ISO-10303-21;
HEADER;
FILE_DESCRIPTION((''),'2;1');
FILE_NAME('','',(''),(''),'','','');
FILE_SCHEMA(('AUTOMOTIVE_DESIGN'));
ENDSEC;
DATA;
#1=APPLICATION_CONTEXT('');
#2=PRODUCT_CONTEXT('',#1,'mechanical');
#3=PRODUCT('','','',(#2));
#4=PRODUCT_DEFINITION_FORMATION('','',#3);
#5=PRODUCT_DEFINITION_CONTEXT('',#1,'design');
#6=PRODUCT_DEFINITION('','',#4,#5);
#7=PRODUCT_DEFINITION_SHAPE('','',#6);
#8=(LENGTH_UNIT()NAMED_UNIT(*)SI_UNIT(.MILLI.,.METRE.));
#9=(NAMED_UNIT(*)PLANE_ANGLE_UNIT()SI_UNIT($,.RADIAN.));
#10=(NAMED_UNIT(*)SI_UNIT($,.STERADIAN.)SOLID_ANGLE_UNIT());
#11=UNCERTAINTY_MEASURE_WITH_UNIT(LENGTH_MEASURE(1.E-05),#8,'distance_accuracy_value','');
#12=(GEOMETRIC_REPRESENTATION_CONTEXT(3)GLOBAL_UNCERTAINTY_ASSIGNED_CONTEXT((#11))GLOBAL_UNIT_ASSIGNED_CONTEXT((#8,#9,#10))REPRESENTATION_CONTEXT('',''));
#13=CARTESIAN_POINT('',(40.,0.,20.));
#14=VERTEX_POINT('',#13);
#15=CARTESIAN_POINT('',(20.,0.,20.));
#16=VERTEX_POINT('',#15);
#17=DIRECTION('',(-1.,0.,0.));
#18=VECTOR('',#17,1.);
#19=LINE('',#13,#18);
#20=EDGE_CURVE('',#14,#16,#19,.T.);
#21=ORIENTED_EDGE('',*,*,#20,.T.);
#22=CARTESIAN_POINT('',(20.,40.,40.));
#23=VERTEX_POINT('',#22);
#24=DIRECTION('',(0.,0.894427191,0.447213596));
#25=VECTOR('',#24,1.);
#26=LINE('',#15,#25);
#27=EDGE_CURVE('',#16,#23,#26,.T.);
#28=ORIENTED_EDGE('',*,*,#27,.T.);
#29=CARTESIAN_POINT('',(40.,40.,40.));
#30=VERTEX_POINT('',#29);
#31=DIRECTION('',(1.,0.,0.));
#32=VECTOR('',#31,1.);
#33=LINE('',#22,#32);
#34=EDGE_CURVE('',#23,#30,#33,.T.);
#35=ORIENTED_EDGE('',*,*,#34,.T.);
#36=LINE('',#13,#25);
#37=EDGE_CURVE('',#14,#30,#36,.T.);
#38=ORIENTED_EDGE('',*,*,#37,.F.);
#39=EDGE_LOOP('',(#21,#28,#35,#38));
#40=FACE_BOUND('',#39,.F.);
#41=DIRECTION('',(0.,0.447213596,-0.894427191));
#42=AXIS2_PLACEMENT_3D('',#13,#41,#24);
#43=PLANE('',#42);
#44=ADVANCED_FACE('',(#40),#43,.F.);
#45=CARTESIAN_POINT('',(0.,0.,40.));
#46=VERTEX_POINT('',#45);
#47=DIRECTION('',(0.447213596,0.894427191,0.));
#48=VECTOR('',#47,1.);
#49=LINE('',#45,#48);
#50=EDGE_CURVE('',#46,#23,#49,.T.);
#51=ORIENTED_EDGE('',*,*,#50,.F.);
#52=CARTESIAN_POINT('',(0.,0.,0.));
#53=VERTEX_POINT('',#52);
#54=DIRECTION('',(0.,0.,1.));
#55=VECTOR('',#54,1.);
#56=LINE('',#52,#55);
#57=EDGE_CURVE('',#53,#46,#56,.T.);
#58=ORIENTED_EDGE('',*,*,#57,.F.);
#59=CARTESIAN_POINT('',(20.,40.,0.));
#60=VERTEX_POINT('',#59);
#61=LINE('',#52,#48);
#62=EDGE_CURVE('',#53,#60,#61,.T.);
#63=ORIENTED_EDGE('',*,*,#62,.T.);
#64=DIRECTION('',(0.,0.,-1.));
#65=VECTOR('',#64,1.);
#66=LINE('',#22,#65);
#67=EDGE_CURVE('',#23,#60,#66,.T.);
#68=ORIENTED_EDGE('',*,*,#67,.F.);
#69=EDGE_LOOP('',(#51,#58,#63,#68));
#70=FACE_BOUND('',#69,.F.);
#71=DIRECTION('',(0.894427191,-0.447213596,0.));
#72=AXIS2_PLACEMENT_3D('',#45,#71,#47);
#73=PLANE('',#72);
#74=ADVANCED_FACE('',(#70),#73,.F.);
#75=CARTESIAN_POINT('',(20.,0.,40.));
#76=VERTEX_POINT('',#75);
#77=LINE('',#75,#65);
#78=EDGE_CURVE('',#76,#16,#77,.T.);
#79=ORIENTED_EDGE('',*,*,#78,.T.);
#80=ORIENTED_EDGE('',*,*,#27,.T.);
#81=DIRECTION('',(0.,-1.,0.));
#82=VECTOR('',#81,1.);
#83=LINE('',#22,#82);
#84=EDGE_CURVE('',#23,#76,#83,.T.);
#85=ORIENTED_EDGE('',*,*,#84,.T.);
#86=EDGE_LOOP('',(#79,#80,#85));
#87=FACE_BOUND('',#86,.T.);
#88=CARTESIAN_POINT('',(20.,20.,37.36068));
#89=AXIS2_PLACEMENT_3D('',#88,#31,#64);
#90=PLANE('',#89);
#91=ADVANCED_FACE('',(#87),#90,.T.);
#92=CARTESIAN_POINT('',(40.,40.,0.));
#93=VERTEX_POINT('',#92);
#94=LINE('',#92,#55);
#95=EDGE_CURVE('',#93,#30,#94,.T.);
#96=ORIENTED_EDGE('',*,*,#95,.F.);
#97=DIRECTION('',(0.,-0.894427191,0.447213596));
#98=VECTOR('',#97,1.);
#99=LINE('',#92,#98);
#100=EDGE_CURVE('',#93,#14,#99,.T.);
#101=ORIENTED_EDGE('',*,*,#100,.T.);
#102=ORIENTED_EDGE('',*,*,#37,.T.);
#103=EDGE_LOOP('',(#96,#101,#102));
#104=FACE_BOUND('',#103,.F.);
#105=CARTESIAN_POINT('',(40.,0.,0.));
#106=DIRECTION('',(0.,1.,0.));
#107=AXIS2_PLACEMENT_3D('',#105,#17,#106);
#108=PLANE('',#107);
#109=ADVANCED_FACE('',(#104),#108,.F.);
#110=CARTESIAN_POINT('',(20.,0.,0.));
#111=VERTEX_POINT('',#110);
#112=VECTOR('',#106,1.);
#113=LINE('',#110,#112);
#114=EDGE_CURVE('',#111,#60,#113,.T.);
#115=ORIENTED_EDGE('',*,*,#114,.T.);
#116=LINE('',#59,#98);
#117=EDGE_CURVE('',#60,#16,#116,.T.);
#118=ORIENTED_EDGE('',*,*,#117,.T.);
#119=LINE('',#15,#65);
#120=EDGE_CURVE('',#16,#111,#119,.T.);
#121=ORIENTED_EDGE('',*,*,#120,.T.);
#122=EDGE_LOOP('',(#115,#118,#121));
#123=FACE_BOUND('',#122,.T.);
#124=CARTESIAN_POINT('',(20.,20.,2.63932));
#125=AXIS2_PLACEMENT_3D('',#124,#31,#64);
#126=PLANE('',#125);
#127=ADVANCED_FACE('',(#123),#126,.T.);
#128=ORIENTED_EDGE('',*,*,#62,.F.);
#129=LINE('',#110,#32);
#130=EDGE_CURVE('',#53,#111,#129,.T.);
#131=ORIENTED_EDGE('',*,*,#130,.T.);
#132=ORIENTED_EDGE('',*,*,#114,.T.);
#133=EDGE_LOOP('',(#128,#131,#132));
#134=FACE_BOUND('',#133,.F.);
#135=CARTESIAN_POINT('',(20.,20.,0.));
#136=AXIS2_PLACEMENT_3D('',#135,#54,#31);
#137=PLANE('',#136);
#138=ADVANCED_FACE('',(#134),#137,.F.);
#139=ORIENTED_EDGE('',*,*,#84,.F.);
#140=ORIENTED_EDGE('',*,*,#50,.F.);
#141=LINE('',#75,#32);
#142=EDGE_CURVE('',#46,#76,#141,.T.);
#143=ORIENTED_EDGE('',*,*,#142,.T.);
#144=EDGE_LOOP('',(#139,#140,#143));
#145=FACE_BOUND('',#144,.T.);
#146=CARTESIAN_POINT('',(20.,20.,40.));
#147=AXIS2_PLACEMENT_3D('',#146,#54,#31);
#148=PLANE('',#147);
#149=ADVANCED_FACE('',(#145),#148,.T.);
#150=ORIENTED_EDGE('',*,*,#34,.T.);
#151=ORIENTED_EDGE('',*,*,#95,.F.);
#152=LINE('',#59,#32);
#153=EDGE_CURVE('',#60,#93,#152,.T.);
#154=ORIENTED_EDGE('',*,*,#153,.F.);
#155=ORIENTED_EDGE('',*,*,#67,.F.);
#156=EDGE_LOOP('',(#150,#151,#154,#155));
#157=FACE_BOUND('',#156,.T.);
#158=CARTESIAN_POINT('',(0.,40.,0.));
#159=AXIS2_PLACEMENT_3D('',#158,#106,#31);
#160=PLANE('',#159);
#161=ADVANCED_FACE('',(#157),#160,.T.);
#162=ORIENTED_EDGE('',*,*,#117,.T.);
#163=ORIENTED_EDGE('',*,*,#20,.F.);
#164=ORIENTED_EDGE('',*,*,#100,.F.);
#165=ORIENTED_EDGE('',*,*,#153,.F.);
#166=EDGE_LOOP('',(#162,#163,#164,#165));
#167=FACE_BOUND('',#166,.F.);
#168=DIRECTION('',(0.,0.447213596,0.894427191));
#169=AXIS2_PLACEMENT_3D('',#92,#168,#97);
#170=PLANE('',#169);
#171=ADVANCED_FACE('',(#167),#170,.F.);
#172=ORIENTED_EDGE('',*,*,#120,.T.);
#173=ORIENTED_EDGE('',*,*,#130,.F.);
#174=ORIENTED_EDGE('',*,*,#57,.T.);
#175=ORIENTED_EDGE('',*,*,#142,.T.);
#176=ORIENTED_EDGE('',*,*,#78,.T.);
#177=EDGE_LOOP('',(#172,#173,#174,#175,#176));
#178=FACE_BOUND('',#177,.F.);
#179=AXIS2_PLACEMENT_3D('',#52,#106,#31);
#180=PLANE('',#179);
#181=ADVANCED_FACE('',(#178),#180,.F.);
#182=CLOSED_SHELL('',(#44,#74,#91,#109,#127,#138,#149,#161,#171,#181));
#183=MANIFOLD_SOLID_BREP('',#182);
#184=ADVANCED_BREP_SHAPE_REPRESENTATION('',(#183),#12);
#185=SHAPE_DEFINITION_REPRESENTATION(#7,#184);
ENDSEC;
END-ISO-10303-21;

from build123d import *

# Parameters (mm, degrees)
SKETCH1_W           = 40
SKETCH1_H           = 40
BOSS_EXTRUDE1_DEPTH = 40
CUT_EXTRUDE1_DEPTH  = 40
CUT_EXTRUDE3_DEPTH  = 20


with BuildPart() as part:
    # Sketch1 → Boss-Extrude1 (new body)
    with BuildSketch(Plane.XY):
        with Locations((20, 20)):
            Rectangle(SKETCH1_W, SKETCH1_H)
    extrude(amount=BOSS_EXTRUDE1_DEPTH)

    # Sketch2 → Cut-Extrude1 (cut)
    with BuildSketch(Plane.XY.offset(40)):
        Polygon((0, 0), (20, 40), (0, 40), align=None)
    extrude(amount=-CUT_EXTRUDE1_DEPTH, mode=Mode.SUBTRACT)

    # Sketch3 → Cut-Extrude3 (cut)
    with BuildSketch(Plane(origin=(40, 0, 0), x_dir=(0, 0, -1), z_dir=(1, 0, 0))):
        Polygon((-40, 40), (-40, 0), (-30, 20), align=None)
        Polygon((-30, 20), (-40, 0), (-20, 0), align=None)
        Polygon((-10, 20), (0, 0), (0, 40), align=None)
        Polygon((-10, 20), (-20, 0), (0, 0), align=None)
    extrude(amount=-CUT_EXTRUDE3_DEPTH, mode=Mode.SUBTRACT)


solid = part.part
